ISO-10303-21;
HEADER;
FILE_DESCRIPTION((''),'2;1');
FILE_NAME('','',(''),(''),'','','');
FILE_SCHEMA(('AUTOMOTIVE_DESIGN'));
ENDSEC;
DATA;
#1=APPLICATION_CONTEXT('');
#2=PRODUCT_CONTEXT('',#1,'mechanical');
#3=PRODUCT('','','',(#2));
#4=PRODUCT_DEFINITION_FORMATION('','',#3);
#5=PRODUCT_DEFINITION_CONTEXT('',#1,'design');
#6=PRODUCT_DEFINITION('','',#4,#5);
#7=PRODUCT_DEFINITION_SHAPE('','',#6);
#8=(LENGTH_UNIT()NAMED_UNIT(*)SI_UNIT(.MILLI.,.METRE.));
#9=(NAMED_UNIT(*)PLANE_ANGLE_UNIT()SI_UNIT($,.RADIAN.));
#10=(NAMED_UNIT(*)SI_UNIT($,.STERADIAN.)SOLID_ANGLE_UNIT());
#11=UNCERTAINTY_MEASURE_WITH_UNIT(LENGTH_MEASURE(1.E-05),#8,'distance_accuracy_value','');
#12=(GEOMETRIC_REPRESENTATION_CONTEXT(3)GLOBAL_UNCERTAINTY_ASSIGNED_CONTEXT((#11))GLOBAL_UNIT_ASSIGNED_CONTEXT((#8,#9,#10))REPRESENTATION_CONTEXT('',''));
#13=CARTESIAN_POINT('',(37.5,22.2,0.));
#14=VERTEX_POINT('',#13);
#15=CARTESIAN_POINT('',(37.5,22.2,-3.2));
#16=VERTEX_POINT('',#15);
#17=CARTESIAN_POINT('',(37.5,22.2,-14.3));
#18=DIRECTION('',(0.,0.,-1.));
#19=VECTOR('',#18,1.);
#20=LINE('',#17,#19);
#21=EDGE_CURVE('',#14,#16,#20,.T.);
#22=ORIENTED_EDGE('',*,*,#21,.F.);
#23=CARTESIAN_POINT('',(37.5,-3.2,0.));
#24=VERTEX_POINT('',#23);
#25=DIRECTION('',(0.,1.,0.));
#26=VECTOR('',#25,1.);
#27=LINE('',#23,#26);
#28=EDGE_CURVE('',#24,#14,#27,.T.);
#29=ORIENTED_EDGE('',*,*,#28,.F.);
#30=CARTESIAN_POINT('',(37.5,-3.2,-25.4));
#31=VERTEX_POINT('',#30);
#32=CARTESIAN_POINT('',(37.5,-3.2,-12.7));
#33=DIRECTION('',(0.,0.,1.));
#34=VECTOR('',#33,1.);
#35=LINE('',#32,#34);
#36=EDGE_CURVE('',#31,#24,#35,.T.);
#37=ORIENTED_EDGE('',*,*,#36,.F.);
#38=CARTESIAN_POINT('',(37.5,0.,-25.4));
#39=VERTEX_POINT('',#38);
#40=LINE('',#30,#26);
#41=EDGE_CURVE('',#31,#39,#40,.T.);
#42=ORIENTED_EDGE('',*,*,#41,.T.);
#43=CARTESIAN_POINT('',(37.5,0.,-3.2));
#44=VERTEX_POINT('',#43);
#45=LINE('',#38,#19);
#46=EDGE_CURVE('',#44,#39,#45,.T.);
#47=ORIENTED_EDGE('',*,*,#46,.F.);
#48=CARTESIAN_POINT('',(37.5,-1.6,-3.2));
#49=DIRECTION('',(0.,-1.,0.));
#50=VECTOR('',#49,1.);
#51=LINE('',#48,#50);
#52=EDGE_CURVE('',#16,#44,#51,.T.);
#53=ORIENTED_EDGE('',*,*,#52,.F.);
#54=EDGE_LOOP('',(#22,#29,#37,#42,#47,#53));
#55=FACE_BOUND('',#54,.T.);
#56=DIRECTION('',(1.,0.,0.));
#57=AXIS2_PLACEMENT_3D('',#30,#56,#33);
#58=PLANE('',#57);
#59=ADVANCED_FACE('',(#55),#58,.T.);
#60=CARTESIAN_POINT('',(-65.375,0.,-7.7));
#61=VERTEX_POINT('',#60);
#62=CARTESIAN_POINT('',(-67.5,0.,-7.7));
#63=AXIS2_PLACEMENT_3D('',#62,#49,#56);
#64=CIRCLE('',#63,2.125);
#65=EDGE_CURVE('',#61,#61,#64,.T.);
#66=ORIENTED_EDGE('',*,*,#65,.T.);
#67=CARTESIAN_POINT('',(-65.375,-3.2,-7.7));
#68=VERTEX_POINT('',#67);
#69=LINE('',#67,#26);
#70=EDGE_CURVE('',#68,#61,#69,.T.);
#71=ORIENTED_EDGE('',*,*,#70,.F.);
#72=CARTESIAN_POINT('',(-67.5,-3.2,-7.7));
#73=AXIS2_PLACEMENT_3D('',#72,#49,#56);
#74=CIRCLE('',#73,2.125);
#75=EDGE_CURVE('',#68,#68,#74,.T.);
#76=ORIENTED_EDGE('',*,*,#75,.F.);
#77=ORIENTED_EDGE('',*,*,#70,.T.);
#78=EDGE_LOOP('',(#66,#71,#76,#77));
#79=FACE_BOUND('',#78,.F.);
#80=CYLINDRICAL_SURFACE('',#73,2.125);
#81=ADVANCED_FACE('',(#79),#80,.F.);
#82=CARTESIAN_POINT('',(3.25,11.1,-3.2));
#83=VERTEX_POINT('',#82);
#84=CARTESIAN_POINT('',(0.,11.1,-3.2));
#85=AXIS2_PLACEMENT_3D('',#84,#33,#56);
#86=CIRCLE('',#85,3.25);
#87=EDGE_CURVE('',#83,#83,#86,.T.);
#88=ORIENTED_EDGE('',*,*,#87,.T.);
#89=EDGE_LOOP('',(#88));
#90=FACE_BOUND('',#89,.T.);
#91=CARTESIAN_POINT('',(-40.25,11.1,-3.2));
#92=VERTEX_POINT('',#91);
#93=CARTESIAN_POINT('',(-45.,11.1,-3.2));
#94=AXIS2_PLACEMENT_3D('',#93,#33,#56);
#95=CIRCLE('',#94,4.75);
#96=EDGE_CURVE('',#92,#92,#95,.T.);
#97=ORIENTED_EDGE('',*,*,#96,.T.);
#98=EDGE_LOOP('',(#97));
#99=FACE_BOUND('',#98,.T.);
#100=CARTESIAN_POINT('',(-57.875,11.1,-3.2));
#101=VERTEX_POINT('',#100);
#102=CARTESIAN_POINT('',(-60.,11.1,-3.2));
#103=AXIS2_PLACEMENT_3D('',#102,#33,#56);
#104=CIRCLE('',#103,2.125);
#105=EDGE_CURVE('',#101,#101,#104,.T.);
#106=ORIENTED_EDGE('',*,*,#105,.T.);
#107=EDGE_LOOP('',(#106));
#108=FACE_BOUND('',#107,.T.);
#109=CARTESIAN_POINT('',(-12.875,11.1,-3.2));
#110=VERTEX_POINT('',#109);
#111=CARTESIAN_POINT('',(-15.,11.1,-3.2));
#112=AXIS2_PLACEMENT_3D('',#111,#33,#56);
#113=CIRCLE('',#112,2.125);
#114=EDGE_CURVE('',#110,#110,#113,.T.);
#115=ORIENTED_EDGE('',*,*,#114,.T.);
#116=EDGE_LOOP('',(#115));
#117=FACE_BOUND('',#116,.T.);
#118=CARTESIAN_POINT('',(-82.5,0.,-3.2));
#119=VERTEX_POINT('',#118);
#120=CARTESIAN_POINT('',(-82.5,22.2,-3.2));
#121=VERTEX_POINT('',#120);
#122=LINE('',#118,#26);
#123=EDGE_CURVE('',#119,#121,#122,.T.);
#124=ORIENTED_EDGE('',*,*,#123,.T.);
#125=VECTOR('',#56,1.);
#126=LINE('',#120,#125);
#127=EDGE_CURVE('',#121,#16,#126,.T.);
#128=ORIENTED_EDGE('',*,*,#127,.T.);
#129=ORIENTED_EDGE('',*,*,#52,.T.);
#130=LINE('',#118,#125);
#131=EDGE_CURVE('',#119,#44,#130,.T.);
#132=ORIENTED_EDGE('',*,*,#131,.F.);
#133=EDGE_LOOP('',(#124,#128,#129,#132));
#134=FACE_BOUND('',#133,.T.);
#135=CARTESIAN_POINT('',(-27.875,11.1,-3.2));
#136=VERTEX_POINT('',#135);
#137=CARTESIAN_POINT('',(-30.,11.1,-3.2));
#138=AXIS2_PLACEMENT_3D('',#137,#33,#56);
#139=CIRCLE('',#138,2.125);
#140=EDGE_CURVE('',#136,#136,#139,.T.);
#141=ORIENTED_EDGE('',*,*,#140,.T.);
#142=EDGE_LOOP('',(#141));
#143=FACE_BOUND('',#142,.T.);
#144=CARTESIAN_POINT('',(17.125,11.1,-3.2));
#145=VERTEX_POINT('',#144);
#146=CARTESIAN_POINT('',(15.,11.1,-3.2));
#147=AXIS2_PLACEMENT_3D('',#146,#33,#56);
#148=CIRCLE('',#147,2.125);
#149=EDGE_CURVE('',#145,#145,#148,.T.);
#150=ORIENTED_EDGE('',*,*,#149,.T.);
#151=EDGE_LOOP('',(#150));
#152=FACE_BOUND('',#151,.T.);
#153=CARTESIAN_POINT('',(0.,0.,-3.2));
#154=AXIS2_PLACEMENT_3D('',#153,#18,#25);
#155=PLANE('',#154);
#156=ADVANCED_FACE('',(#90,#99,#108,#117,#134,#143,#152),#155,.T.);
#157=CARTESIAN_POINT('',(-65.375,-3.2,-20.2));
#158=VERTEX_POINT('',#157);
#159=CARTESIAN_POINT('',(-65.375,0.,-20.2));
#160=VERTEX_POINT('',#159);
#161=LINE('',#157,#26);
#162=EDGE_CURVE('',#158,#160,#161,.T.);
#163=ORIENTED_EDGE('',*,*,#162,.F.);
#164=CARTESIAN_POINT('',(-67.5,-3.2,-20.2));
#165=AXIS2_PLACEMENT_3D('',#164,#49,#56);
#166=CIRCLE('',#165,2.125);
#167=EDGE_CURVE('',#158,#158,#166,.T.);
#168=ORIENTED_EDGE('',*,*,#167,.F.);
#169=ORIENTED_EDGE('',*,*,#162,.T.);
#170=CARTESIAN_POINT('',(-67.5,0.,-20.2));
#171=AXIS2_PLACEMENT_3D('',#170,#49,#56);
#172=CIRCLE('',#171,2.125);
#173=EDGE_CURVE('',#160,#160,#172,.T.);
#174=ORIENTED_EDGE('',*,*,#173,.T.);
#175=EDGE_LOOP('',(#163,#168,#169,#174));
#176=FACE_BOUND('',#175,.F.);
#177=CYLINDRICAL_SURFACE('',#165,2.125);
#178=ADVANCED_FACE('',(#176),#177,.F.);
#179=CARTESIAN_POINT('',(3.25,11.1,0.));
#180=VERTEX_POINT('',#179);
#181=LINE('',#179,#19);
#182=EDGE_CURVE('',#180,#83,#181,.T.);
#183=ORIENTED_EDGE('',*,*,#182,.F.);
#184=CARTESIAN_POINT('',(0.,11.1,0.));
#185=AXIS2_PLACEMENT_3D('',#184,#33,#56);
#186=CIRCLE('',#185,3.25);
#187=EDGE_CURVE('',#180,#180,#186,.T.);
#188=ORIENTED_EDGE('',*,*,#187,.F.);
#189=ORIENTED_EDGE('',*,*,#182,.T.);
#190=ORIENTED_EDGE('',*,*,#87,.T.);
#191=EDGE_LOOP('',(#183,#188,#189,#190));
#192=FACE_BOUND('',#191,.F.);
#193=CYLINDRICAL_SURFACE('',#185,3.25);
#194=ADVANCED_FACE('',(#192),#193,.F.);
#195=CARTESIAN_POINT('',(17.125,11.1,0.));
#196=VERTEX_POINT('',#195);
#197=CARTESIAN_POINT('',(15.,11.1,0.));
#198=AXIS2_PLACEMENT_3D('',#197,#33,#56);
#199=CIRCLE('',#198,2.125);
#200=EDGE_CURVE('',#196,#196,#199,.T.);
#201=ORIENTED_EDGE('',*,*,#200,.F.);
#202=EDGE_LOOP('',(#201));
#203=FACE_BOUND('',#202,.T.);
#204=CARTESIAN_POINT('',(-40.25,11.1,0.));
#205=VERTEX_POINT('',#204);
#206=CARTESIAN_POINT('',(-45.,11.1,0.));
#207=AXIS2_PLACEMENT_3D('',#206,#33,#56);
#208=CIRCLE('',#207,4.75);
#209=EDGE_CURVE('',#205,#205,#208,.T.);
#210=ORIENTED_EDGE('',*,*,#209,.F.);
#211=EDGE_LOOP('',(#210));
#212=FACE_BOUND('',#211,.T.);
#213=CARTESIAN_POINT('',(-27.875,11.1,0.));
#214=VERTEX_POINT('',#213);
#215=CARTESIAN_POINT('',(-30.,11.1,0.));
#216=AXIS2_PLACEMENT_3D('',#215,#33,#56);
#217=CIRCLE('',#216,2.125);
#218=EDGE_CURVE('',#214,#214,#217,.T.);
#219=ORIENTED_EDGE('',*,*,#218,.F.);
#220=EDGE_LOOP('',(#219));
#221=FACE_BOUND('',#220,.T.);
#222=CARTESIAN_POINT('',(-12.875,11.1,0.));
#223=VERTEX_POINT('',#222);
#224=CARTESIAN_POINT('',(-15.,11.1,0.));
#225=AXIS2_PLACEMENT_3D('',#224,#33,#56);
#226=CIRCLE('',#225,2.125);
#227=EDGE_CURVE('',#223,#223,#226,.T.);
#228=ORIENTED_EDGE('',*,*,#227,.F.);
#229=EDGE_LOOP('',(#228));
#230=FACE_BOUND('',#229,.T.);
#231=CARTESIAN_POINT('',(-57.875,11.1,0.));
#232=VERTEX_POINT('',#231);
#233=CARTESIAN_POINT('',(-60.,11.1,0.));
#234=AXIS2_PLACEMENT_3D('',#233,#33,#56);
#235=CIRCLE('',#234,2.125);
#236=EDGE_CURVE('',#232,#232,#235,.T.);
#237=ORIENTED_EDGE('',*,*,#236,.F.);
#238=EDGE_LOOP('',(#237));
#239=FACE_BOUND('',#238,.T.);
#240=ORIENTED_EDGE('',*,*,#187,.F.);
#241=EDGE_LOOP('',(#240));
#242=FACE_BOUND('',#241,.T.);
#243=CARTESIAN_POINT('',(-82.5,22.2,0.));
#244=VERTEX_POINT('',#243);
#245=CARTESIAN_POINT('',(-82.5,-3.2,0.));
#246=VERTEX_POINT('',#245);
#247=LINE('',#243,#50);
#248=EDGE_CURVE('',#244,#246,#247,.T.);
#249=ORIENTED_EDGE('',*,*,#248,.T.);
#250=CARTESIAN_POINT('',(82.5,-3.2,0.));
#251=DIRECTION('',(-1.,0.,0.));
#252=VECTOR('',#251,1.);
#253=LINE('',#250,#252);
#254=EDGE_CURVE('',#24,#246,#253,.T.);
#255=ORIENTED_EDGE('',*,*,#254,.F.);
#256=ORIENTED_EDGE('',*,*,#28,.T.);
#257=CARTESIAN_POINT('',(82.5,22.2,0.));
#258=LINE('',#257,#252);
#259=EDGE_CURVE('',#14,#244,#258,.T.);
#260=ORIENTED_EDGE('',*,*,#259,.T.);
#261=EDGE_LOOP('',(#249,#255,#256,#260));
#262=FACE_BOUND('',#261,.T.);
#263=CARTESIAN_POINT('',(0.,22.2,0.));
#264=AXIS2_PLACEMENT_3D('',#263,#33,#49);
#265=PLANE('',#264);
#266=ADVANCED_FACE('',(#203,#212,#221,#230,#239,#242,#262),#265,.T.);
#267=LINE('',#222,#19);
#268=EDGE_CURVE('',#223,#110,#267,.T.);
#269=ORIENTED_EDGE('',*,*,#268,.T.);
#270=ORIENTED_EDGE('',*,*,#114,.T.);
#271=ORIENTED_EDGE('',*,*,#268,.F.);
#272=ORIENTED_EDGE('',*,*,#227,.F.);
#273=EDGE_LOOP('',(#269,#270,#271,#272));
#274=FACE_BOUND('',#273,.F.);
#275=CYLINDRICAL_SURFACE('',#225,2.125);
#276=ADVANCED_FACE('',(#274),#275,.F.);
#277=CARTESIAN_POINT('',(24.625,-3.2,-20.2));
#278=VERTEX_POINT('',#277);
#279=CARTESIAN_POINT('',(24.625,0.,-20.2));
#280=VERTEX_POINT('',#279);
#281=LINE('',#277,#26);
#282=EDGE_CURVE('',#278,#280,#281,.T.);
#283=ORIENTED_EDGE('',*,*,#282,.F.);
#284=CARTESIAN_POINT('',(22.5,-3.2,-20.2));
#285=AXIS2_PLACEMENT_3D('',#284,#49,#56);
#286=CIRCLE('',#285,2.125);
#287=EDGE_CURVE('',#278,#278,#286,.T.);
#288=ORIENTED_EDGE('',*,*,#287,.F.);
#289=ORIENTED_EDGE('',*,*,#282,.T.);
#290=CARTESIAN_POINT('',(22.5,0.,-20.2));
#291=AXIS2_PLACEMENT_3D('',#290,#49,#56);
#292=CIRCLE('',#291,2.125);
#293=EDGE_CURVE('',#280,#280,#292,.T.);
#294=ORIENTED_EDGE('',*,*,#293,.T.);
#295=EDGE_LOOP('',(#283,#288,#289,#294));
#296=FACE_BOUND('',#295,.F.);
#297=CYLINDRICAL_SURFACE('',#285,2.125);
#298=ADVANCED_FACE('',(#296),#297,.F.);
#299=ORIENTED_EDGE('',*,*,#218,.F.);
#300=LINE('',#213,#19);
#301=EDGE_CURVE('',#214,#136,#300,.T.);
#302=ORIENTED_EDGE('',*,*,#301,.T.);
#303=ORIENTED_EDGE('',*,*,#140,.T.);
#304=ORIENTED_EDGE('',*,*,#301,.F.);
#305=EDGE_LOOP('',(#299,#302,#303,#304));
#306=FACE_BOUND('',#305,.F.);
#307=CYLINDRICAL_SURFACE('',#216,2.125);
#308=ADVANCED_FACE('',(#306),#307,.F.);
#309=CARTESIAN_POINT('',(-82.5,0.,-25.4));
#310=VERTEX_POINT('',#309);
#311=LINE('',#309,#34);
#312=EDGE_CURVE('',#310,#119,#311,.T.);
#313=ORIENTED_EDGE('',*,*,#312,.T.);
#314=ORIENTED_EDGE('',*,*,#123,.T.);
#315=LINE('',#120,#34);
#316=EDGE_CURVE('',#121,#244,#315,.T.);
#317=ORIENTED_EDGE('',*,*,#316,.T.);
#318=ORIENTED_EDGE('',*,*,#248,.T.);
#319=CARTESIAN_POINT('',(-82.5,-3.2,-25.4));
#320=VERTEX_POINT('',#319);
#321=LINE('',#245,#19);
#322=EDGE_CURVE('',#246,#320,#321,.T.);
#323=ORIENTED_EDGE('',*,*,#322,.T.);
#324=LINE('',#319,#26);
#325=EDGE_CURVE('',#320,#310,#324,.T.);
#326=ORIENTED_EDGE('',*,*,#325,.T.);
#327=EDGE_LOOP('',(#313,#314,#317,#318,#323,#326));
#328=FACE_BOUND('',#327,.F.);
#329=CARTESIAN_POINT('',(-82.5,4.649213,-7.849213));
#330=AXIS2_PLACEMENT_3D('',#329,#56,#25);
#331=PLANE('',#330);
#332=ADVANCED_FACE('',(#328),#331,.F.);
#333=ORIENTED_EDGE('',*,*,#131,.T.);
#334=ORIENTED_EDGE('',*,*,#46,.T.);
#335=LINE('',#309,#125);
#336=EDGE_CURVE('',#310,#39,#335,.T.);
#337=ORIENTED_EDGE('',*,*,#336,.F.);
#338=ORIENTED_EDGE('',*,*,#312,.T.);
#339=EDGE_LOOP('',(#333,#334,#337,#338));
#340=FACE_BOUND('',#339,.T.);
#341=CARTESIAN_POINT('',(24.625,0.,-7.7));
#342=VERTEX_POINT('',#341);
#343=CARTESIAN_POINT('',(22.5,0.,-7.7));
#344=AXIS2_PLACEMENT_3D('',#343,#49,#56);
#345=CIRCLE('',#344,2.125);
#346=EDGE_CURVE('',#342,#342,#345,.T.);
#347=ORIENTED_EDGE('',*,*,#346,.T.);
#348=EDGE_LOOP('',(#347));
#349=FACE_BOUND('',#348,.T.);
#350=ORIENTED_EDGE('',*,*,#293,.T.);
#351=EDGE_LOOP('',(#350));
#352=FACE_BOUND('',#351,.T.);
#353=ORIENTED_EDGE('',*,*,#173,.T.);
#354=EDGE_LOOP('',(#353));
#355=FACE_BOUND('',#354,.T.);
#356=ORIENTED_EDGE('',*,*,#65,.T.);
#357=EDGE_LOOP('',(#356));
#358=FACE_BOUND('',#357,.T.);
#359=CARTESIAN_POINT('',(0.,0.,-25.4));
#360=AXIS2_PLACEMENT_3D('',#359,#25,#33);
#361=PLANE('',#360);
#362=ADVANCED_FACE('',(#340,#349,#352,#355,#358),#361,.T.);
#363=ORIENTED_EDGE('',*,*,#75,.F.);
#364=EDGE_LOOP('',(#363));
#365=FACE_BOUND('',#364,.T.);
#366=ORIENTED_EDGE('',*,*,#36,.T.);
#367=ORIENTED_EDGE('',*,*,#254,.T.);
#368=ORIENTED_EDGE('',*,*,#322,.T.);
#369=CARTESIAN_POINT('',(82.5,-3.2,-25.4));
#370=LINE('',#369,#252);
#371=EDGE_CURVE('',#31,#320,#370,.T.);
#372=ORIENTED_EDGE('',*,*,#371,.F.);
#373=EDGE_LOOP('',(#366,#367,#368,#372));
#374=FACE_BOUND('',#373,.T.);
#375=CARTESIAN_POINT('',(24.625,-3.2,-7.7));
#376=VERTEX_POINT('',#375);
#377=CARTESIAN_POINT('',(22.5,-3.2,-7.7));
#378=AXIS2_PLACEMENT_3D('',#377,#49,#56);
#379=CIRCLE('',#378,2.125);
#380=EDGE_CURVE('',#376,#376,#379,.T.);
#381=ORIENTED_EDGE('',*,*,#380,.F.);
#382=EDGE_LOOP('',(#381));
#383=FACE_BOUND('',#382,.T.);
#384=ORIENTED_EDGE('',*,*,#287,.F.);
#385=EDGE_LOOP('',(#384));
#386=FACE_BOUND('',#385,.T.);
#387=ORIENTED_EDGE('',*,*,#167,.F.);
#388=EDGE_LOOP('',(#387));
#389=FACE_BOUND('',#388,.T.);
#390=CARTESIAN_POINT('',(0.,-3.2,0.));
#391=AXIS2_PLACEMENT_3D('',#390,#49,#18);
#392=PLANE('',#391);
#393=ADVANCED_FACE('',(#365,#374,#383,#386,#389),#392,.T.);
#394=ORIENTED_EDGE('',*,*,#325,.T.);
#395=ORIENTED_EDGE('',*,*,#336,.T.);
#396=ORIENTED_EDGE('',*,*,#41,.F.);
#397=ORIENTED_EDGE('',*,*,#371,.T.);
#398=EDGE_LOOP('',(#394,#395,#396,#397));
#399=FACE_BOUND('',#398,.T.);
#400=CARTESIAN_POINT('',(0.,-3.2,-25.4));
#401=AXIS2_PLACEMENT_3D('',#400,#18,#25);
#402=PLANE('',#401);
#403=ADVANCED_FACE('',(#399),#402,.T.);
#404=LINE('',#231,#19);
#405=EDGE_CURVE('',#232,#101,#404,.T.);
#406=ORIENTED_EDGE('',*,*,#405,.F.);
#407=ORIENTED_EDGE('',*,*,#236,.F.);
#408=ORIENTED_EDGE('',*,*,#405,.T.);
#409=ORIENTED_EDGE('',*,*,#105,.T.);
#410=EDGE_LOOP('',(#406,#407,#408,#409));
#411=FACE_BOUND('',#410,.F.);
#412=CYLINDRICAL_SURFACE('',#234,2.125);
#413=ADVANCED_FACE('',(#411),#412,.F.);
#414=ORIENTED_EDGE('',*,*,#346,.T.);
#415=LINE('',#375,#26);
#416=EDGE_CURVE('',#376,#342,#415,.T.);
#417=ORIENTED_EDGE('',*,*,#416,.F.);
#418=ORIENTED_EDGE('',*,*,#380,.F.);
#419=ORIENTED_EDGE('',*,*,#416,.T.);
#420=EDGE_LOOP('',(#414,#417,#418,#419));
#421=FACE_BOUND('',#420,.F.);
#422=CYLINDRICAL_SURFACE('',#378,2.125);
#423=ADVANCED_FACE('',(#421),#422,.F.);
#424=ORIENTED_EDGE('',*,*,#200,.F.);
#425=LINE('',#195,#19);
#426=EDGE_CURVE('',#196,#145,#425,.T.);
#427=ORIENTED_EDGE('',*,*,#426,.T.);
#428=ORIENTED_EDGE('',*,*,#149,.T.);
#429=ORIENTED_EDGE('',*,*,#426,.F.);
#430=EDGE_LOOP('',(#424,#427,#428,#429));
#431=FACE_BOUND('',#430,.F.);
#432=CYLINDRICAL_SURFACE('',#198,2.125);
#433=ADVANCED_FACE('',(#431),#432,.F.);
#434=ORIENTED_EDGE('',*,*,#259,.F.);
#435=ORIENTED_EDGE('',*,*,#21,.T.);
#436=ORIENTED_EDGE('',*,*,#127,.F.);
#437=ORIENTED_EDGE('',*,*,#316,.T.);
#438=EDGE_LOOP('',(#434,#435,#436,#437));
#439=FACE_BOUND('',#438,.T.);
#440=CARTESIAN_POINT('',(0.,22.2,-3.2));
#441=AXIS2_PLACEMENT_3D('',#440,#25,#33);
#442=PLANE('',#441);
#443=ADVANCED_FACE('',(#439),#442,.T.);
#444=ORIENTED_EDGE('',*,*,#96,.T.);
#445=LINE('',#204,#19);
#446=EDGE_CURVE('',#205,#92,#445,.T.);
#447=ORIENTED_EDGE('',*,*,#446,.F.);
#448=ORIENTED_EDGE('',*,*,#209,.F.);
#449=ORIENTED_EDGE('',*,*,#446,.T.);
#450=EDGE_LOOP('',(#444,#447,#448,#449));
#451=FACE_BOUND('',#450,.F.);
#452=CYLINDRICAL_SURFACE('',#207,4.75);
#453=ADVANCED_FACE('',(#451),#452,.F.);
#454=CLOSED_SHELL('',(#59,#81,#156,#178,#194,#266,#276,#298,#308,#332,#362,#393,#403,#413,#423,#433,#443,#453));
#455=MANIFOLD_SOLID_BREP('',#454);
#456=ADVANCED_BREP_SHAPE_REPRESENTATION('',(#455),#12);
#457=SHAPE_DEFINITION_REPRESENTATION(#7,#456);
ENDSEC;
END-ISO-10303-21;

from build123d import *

# Parameters (mm, degrees)
F1_DEPTH = 82.5
F2_R     = 2.125
F2_W     = 45
F2_H     = 25.4
F3_DEPTH = 25.401
F4_R     = 3.25
F4_R_2   = 4.75
F4_R_3   = 2.125
F5_DEPTH = 5


with BuildPart() as f1:
    # F0 (on Right) → F1 (new body, symmetric)
    with BuildSketch(Plane.YZ):
        Polygon((-3.2, -25.4), (0, -25.4), (0, -3.2), (22.2, -3.2), (22.2, 0), (-3.2, 0), align=None)
    extrude(amount=F1_DEPTH, both=True)

    # F2 (on face) → F3 (cut, through all)
    with BuildSketch(Plane.XZ.offset(3.2)):
        with Locations((-67.5, -20.2)):
            Circle(F2_R)
        with Locations((-67.5, -7.7)):
            Circle(F2_R)
        with Locations((22.5, -7.7)):
            Circle(F2_R)
        with Locations((22.5, -20.2)):
            Circle(F2_R)
        with Locations((60, -12.7)):
            Rectangle(F2_W, F2_H)
    extrude(amount=-F3_DEPTH, mode=Mode.SUBTRACT)

    # F4 (on face) → F5 (cut)
    with BuildSketch(Plane.XY):
        with Locations((0, 11.1)):
            Circle(F4_R)
        with Locations((-45, 11.1)):
            Circle(F4_R_2)
        with Locations((-60, 11.1)):
            Circle(F4_R_3)
        with Locations((-30, 11.1)):
            Circle(F4_R_3)
        with Locations((-15, 11.1)):
            Circle(F4_R_3)
        with Locations((15, 11.1)):
            Circle(F4_R_3)
    extrude(amount=-F5_DEPTH, mode=Mode.SUBTRACT)


solid = f1.part
